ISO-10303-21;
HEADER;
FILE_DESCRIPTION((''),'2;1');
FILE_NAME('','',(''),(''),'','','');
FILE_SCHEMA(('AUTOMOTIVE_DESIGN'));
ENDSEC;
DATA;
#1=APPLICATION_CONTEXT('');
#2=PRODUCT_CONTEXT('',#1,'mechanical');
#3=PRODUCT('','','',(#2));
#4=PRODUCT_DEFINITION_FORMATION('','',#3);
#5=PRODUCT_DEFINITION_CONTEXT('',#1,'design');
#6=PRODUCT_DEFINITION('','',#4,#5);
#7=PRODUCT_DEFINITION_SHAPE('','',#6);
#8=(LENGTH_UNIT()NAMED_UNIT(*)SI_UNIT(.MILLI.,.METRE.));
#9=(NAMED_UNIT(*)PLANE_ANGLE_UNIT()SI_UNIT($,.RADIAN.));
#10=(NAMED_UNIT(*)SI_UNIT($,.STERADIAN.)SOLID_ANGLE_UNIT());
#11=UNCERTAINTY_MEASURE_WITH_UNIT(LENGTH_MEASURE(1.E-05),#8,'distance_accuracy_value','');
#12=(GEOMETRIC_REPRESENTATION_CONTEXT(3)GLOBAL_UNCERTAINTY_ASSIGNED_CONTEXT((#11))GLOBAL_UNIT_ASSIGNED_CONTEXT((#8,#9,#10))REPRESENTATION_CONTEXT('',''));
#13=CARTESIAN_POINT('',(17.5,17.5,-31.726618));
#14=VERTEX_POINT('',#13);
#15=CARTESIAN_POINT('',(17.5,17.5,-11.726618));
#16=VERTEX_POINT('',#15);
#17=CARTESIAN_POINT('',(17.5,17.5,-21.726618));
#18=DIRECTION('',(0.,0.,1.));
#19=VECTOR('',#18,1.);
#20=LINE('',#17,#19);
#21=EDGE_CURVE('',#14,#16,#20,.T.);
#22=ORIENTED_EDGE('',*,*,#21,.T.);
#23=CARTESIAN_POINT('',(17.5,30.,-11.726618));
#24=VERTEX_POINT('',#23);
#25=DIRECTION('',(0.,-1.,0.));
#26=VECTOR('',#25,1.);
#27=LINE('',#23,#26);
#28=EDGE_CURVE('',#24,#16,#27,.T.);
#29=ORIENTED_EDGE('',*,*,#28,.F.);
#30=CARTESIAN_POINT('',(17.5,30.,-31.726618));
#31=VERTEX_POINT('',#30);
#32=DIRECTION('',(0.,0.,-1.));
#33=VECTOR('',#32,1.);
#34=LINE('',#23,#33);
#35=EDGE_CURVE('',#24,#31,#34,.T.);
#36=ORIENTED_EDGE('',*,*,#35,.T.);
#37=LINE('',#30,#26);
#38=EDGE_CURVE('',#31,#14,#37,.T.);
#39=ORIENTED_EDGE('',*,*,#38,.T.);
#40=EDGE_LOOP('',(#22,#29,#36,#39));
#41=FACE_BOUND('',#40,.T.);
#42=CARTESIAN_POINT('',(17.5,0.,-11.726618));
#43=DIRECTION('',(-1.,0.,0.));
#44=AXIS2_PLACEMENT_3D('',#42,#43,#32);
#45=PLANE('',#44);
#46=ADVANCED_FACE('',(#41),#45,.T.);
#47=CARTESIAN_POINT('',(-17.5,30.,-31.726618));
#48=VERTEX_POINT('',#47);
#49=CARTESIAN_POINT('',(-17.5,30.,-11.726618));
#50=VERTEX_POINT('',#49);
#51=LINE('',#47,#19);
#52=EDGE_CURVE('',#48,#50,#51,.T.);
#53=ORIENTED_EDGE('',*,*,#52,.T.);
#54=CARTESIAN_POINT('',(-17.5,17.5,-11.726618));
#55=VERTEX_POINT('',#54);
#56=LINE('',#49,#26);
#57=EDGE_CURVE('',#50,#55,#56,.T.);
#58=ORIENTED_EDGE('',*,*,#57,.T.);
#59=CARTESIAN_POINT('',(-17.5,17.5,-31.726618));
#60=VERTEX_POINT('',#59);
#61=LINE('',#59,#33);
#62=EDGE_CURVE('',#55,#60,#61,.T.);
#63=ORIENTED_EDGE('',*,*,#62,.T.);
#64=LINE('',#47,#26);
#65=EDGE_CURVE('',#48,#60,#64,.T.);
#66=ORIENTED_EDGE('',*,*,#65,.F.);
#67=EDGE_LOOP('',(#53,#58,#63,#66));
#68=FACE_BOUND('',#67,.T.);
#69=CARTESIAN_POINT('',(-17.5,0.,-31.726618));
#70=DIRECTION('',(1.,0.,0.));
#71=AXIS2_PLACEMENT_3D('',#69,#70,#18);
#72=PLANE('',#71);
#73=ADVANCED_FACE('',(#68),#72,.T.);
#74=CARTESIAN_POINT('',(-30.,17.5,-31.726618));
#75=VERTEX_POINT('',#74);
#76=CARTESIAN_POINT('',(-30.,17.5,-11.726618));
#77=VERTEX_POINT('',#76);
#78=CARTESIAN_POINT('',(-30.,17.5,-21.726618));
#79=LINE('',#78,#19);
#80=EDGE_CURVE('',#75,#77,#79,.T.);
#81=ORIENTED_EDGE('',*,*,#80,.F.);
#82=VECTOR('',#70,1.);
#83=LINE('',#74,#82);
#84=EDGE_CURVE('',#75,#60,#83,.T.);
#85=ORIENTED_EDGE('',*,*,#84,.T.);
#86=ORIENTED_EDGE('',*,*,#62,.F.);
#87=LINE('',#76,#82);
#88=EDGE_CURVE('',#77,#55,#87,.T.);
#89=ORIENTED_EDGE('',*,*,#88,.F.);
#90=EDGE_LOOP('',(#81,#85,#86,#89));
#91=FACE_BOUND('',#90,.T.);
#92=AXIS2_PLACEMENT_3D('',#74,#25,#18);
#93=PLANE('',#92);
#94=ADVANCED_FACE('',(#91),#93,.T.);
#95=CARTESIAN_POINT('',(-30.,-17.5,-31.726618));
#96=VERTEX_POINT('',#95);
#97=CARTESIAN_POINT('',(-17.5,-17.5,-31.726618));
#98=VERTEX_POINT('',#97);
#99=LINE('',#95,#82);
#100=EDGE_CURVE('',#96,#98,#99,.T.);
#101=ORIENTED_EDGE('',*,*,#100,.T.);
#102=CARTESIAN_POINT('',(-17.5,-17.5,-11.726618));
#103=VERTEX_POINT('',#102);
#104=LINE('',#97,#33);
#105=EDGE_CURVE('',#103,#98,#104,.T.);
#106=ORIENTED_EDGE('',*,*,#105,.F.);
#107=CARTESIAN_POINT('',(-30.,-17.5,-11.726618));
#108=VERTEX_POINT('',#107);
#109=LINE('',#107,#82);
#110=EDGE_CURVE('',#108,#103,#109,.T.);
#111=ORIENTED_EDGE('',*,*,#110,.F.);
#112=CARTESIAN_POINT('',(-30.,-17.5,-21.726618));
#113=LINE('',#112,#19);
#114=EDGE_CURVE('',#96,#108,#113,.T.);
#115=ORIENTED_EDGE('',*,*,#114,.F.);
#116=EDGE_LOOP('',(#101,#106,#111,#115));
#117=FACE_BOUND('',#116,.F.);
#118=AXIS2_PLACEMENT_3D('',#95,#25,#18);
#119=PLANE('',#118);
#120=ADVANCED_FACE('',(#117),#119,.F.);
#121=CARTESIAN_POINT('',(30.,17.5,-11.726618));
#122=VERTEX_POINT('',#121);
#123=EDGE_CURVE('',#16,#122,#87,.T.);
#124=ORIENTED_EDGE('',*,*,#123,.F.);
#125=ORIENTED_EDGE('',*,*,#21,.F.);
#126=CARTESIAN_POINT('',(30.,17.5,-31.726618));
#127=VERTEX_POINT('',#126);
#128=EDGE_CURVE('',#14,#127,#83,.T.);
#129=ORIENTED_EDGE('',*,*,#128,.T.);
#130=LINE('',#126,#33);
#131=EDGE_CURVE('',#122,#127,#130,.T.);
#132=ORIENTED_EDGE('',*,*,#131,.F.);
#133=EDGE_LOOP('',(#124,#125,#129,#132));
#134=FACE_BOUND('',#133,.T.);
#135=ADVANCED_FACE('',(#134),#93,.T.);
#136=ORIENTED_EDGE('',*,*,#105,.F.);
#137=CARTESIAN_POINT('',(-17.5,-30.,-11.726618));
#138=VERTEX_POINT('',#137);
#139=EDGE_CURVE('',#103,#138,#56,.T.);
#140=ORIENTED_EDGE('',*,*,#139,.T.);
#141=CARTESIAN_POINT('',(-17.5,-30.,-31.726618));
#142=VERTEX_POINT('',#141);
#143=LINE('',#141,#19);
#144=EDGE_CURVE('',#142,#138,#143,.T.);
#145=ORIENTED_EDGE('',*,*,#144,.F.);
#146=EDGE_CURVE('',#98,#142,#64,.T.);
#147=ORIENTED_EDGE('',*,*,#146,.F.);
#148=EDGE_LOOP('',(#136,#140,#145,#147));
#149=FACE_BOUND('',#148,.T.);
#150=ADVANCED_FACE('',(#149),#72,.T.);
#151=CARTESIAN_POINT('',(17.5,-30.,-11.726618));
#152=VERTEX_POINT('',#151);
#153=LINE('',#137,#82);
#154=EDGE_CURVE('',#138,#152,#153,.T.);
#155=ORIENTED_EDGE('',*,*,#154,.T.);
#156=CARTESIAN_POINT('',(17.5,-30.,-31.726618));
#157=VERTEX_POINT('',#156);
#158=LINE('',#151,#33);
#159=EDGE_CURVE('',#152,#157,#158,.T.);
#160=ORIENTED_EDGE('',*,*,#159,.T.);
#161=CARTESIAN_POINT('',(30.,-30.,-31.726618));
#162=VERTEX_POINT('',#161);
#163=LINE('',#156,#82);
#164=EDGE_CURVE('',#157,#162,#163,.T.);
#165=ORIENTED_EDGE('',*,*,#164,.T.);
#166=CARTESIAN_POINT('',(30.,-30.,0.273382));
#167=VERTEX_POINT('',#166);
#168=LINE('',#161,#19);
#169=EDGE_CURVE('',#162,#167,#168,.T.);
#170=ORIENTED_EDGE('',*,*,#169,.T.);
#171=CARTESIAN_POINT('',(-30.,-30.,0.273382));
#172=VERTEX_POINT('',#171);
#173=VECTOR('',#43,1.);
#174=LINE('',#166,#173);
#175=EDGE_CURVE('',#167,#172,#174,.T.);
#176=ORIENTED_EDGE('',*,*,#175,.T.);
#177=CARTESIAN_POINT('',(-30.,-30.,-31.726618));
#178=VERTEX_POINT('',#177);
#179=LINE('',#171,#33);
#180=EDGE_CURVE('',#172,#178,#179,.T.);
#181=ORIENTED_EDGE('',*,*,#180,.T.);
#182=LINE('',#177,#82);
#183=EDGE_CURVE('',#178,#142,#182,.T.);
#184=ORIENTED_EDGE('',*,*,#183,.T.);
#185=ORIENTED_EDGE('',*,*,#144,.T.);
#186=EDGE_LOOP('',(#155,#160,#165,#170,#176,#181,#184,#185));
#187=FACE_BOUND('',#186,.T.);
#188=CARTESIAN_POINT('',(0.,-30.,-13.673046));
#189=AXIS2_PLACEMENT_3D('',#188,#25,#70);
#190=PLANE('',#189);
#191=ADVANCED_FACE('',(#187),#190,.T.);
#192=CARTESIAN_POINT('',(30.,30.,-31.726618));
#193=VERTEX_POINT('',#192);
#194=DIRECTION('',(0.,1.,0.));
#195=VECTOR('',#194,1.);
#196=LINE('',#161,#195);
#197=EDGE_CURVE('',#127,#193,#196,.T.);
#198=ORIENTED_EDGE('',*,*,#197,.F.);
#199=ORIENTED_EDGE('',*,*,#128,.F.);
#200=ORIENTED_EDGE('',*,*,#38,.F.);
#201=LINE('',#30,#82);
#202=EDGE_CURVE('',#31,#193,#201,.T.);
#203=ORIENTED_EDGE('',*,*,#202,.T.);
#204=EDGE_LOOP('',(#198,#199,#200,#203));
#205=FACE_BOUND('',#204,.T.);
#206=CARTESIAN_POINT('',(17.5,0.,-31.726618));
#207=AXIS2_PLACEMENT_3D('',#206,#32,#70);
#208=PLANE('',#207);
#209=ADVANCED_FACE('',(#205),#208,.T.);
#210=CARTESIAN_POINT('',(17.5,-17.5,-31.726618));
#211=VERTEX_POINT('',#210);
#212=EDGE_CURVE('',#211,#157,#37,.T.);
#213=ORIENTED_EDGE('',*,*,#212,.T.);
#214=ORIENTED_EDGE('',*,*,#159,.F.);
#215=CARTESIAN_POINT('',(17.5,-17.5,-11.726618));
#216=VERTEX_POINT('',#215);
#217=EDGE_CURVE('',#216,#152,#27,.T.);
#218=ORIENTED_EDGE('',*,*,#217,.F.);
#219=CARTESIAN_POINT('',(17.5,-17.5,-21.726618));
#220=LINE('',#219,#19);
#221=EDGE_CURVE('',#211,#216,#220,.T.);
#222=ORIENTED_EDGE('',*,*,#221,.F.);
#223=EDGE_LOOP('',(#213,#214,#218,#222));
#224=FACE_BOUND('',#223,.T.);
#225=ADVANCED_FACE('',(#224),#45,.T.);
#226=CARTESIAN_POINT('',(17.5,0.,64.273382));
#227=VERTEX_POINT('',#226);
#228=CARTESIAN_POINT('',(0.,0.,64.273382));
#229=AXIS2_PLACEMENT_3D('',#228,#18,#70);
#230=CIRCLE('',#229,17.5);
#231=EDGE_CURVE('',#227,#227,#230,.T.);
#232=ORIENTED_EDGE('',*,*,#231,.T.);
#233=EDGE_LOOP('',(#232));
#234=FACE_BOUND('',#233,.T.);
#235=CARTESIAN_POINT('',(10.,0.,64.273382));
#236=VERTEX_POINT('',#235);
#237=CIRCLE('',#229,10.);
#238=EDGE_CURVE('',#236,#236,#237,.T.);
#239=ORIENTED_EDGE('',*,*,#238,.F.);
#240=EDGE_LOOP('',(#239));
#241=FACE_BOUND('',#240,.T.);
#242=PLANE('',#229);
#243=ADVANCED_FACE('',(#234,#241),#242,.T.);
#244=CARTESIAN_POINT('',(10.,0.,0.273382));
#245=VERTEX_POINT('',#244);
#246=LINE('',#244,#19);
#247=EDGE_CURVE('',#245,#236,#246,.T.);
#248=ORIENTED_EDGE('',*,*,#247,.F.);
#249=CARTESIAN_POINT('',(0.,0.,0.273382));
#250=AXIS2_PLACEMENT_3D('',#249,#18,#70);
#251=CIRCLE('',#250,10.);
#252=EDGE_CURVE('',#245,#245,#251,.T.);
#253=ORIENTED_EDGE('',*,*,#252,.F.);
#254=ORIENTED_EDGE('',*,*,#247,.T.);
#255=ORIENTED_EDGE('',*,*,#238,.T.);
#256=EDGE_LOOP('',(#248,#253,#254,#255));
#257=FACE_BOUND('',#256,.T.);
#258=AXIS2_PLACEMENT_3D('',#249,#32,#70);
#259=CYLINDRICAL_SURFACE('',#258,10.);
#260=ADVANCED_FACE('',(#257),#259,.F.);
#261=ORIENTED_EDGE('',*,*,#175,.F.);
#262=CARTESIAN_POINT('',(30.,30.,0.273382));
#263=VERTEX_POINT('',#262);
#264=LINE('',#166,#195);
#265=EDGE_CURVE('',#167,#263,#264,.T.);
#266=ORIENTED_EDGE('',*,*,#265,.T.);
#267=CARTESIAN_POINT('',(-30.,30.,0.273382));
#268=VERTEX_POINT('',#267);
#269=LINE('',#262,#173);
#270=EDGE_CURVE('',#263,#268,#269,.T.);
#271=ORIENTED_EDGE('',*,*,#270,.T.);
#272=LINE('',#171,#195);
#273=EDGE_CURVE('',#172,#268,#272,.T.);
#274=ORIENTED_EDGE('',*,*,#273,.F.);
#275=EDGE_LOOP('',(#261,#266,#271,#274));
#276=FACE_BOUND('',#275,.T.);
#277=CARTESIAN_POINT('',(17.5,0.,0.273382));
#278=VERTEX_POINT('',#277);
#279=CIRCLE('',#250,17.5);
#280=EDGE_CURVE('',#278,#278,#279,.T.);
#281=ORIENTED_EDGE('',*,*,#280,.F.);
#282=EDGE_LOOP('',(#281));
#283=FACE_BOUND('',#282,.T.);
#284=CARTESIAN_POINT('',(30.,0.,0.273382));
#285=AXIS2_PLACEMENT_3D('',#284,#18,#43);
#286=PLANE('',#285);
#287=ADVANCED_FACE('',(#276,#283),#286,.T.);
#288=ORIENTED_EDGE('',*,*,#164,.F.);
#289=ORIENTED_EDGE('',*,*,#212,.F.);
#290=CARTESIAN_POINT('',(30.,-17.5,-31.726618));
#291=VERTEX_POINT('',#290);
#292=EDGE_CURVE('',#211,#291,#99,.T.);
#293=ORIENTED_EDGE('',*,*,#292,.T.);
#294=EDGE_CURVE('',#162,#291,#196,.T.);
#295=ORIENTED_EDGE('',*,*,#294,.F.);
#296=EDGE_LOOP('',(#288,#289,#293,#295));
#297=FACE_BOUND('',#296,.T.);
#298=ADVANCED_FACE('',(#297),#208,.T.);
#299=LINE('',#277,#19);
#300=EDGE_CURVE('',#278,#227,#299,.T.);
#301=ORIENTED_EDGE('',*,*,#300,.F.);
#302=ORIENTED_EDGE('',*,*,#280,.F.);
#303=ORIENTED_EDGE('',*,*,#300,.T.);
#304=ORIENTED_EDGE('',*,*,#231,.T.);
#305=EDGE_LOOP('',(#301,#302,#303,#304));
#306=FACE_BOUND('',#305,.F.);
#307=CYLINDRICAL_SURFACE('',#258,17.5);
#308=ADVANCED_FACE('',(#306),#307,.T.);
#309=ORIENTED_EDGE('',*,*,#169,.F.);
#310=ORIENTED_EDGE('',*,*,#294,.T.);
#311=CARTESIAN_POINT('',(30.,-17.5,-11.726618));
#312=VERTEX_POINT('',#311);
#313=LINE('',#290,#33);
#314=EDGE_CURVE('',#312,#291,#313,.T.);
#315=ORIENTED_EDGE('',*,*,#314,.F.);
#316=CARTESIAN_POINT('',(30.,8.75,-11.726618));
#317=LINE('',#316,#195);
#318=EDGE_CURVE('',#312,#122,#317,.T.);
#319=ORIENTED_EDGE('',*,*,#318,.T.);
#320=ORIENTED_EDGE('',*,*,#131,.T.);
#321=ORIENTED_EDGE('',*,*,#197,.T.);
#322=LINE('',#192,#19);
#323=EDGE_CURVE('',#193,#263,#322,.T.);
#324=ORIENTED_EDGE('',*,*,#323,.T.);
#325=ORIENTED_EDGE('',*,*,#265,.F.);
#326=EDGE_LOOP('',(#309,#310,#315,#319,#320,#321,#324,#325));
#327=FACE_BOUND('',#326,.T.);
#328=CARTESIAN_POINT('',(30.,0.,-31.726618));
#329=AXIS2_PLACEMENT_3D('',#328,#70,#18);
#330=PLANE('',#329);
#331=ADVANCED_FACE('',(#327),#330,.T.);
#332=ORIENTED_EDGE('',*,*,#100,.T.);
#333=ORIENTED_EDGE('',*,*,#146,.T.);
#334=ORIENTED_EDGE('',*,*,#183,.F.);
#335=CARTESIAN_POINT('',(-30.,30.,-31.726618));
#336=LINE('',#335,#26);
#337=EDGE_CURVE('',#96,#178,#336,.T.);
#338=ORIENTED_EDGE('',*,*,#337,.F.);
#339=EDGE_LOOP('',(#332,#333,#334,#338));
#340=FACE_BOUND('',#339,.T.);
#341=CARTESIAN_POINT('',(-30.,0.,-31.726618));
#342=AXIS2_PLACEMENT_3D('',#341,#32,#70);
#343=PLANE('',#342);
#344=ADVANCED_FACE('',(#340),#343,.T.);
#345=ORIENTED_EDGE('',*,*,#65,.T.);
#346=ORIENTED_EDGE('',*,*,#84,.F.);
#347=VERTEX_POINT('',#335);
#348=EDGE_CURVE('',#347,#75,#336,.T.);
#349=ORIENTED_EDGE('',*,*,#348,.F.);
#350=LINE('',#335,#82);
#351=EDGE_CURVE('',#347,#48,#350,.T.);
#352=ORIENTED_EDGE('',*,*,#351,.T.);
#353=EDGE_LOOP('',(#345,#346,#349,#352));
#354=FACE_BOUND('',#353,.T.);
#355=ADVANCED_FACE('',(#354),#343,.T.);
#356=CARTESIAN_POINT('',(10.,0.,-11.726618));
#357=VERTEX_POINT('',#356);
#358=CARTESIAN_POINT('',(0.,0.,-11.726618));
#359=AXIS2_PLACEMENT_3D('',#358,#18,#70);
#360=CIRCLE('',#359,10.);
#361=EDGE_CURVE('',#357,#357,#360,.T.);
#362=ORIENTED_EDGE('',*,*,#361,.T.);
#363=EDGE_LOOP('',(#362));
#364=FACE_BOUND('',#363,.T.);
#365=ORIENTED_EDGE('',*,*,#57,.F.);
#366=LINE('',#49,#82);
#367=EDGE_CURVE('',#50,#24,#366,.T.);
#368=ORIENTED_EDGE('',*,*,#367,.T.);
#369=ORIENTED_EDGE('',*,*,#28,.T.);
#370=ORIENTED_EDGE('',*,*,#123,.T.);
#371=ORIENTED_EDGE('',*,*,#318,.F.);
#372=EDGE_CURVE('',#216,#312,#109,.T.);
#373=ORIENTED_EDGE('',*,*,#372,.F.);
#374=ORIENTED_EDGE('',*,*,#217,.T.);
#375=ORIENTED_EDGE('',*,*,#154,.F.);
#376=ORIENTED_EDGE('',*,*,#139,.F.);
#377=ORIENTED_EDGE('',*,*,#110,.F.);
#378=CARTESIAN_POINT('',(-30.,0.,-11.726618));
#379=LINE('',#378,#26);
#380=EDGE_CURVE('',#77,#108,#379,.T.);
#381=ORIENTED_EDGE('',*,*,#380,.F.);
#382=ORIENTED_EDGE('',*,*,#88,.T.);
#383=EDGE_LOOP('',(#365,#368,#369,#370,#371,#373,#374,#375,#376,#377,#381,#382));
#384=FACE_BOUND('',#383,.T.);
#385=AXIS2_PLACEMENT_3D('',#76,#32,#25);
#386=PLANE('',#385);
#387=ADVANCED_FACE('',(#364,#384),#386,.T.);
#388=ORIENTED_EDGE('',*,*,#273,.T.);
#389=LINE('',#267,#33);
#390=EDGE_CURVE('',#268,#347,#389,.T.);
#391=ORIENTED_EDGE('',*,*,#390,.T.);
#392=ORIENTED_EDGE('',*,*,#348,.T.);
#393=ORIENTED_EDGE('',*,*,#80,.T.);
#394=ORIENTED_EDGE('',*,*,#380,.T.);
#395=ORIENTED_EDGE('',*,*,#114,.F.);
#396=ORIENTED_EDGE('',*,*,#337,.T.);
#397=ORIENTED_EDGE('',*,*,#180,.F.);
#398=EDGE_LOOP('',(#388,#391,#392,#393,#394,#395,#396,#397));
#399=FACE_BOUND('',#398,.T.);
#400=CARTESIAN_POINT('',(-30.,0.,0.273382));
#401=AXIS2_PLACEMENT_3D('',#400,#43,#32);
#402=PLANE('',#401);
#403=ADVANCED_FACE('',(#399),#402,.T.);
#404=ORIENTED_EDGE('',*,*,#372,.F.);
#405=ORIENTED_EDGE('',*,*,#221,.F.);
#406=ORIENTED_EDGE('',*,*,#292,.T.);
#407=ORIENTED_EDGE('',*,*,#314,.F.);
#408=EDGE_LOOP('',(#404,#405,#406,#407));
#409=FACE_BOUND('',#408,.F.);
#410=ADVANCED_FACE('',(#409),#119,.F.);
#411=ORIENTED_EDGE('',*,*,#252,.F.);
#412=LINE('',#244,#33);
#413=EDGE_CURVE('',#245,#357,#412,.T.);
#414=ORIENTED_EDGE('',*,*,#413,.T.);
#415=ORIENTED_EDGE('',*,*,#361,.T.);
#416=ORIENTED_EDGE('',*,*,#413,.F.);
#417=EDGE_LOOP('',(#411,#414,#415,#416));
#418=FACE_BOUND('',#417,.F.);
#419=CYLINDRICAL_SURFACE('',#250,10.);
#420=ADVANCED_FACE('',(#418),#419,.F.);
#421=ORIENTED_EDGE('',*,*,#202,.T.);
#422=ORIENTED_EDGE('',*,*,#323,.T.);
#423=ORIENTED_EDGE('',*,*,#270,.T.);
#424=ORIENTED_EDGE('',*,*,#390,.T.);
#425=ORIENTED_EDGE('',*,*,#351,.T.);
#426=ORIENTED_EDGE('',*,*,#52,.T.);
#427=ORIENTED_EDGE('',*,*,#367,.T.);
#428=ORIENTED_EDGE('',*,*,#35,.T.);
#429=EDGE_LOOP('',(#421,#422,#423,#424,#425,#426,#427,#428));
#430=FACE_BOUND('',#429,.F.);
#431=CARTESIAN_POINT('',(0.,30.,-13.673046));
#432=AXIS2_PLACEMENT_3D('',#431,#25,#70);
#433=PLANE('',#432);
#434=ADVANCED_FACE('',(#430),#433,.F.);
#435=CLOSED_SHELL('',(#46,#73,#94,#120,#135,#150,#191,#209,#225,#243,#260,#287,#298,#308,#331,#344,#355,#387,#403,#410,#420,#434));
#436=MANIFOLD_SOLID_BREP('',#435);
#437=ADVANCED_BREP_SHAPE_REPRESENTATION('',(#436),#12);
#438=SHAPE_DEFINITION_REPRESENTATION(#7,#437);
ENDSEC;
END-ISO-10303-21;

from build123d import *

# Parameters (mm, degrees)
F1_DEPTH = 30
F2_R     = 17.5
F2_R_2   = 10
F3_DEPTH = 64
F4_DEPTH = 32.001
F5_W     = 35
F5_H     = 20
F6_DEPTH = 93


with BuildPart() as f1:
    # F0 (on Front) → F1 (new body, symmetric)
    with BuildSketch(Plane.XZ):
        Polygon((0, 0.2733823939), (-30, 0.2733823939), (-30, -31.7266176061), (-17.5, -31.7266176061), (-17.5, -11.7266176061), (0, -11.7266176061), (17.5, -11.7266176061), (17.5, -31.7266176061), (30, -31.7266176061), (30, 0.2733823939), align=None)
    extrude(amount=F1_DEPTH, both=True)

    # F2 (on face) → F3 (join)
    with BuildSketch(Plane.XY.offset(0.2733823939)):
        Circle(F2_R)
        Circle(F2_R_2, mode=Mode.SUBTRACT)
    extrude(amount=F3_DEPTH)

    # F4 (cut, through all): a face of the model
    f4_faces = [f1.faces().sort_by_distance(p)[0] for p in [
        (0, 0, 0.2733823939),
    ]]
    extrude(f4_faces, amount=-F4_DEPTH, mode=Mode.SUBTRACT)

    # F5 (on face) → F6 (cut)
    with BuildSketch(Plane(origin=(-30, 0, 0), x_dir=(0, -1, 0), z_dir=(-1, 0, 0))):
        with Locations((0, -21.7266176061)):
            Rectangle(F5_W, F5_H)
    extrude(amount=-F6_DEPTH, mode=Mode.SUBTRACT)


solid = f1.part
